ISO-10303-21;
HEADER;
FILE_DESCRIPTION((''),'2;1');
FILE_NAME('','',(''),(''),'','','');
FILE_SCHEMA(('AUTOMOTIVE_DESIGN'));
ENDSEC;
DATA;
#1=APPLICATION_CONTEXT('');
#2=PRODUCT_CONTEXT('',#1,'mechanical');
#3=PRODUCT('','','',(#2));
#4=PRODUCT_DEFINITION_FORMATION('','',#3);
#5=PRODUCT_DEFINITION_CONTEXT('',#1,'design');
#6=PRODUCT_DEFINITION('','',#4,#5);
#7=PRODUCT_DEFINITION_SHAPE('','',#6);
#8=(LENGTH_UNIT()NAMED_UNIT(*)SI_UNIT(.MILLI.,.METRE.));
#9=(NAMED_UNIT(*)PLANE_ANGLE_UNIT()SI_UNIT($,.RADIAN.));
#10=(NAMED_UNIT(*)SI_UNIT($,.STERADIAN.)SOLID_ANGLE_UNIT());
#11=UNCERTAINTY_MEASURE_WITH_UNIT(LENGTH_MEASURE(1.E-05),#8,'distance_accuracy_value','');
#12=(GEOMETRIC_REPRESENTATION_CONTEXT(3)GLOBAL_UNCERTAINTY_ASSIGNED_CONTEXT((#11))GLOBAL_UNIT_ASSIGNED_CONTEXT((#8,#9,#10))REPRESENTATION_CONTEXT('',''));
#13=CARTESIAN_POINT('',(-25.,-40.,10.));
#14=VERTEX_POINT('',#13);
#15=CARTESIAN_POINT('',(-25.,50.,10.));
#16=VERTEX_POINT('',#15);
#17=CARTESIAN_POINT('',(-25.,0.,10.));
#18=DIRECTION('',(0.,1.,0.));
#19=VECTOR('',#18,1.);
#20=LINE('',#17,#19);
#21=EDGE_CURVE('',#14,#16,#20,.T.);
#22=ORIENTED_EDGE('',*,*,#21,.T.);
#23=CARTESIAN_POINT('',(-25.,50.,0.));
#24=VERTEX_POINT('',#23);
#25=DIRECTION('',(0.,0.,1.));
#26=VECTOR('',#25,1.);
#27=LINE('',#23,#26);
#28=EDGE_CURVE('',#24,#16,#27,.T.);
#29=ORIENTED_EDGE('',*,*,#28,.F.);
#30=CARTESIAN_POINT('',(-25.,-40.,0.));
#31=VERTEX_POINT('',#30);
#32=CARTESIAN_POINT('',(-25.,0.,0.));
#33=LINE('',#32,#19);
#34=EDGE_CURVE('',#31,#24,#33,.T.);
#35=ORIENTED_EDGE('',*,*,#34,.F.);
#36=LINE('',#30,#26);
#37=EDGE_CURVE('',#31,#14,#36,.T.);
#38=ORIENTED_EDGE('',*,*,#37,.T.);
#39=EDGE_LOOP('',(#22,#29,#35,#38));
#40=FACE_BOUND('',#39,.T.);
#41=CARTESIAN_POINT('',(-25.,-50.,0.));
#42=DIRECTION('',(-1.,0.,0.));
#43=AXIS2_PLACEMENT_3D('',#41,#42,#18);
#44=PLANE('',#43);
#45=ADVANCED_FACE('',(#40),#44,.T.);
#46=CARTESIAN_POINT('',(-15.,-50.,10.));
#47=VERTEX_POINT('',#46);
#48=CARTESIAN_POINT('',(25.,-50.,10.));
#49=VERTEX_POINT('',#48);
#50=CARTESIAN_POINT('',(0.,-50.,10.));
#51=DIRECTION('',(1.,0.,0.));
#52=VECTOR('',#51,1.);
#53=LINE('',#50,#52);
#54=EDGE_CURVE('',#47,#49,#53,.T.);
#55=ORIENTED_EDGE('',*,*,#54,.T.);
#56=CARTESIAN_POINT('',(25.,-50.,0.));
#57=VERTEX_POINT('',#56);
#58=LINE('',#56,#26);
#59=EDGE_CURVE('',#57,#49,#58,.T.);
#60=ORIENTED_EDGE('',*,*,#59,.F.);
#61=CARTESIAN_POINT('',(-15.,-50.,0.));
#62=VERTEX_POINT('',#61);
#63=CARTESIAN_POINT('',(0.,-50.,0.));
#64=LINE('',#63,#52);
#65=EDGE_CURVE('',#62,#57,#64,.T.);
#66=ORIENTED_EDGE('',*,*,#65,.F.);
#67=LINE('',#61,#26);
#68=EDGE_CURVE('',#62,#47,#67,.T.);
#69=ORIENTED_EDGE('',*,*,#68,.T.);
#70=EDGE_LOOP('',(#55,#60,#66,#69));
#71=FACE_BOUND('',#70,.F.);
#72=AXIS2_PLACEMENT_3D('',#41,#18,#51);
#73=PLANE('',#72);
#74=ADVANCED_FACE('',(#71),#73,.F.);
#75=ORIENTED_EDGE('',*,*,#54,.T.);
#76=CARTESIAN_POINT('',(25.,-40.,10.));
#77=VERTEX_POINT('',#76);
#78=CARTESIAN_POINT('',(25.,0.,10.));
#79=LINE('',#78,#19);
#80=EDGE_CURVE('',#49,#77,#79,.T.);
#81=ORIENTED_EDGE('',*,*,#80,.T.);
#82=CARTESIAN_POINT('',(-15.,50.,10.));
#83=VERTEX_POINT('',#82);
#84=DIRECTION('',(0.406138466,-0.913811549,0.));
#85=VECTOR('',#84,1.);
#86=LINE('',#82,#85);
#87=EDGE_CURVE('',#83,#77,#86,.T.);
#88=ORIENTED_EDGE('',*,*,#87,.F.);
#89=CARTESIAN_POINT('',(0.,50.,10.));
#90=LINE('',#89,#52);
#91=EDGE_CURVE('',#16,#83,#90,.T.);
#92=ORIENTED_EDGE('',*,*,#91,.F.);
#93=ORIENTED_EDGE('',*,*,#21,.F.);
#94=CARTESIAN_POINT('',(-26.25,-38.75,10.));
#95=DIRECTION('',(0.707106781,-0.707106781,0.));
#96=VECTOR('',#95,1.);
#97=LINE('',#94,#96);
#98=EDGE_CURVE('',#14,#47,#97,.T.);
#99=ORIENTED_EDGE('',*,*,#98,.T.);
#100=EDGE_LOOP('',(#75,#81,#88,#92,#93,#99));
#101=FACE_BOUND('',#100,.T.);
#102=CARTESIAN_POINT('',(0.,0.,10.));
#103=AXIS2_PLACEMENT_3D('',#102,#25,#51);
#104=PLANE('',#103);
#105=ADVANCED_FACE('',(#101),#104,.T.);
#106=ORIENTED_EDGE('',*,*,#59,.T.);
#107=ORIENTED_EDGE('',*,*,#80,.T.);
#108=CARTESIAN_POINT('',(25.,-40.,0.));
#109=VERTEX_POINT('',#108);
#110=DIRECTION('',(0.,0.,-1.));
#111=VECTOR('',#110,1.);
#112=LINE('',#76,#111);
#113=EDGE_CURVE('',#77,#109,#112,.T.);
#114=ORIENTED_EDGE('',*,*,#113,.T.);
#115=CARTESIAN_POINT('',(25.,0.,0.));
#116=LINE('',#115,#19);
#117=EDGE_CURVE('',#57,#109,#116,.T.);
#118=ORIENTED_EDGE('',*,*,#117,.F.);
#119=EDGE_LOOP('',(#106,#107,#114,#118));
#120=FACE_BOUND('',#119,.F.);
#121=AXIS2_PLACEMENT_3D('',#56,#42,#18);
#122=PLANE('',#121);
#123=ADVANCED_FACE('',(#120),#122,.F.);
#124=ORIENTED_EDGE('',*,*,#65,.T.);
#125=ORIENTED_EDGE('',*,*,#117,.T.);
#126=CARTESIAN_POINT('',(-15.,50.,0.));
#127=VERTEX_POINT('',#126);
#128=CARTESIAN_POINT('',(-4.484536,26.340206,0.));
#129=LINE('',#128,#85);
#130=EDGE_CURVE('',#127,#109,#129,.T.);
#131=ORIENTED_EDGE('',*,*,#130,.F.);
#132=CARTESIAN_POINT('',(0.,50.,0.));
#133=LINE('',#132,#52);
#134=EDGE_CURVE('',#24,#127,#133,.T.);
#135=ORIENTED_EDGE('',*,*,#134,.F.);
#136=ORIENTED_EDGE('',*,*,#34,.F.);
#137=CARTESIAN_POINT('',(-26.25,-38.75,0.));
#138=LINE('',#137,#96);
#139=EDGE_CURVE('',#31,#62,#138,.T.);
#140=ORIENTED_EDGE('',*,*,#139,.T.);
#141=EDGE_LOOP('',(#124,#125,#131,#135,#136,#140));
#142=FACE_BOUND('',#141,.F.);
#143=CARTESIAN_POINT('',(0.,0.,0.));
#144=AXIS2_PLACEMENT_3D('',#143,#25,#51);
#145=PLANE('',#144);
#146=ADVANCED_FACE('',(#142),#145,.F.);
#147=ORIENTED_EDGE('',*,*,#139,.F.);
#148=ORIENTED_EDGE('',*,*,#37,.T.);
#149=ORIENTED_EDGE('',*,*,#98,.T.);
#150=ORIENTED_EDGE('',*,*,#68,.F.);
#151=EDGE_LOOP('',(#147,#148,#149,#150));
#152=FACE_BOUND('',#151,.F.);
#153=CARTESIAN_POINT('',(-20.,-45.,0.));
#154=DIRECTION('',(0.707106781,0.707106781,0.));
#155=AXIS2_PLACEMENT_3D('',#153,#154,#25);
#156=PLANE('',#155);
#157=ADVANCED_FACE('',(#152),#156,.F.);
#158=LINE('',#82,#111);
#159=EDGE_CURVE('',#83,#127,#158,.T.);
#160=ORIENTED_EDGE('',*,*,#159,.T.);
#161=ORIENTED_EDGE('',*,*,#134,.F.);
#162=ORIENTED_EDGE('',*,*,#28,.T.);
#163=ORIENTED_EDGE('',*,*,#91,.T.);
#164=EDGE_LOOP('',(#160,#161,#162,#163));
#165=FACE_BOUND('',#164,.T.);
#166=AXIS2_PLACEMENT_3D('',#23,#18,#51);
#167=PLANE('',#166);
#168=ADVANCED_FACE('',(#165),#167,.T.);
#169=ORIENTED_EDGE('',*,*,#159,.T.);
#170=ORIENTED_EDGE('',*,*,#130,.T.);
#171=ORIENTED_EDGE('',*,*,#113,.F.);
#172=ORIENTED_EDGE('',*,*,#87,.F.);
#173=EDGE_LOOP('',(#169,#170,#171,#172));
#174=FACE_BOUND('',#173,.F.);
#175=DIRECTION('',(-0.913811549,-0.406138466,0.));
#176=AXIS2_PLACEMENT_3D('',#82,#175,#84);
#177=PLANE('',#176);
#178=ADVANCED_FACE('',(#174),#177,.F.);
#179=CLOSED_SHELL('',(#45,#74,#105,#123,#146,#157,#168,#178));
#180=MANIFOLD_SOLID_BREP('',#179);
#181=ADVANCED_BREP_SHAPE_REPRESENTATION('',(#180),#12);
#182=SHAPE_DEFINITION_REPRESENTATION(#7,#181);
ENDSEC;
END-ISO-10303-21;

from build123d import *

# Parameters (mm, degrees)
F0_W     = 50
F0_H     = 100
F1_DEPTH = 10
F2_SIZE  = 10
F4_DEPTH = 10.001


with BuildPart() as f1:
    # F0 (on Top) → F1 (new body)
    with BuildSketch(Plane.XY):
        Rectangle(F0_W, F0_H)
    extrude(amount=F1_DEPTH)

    # F2
    f2_edges = [f1.edges().sort_by_distance(p)[0] for p in [
        (-25, -50, 5),
    ]]
    chamfer(f2_edges, length=F2_SIZE)

    # F3 (on face) → F4 (cut, through all)
    with BuildSketch(Plane.XY.offset(10)):
        Polygon((25, 50), (-15, 50), (25, -40), align=None)
    extrude(amount=-F4_DEPTH, mode=Mode.SUBTRACT)


solid = f1.part
